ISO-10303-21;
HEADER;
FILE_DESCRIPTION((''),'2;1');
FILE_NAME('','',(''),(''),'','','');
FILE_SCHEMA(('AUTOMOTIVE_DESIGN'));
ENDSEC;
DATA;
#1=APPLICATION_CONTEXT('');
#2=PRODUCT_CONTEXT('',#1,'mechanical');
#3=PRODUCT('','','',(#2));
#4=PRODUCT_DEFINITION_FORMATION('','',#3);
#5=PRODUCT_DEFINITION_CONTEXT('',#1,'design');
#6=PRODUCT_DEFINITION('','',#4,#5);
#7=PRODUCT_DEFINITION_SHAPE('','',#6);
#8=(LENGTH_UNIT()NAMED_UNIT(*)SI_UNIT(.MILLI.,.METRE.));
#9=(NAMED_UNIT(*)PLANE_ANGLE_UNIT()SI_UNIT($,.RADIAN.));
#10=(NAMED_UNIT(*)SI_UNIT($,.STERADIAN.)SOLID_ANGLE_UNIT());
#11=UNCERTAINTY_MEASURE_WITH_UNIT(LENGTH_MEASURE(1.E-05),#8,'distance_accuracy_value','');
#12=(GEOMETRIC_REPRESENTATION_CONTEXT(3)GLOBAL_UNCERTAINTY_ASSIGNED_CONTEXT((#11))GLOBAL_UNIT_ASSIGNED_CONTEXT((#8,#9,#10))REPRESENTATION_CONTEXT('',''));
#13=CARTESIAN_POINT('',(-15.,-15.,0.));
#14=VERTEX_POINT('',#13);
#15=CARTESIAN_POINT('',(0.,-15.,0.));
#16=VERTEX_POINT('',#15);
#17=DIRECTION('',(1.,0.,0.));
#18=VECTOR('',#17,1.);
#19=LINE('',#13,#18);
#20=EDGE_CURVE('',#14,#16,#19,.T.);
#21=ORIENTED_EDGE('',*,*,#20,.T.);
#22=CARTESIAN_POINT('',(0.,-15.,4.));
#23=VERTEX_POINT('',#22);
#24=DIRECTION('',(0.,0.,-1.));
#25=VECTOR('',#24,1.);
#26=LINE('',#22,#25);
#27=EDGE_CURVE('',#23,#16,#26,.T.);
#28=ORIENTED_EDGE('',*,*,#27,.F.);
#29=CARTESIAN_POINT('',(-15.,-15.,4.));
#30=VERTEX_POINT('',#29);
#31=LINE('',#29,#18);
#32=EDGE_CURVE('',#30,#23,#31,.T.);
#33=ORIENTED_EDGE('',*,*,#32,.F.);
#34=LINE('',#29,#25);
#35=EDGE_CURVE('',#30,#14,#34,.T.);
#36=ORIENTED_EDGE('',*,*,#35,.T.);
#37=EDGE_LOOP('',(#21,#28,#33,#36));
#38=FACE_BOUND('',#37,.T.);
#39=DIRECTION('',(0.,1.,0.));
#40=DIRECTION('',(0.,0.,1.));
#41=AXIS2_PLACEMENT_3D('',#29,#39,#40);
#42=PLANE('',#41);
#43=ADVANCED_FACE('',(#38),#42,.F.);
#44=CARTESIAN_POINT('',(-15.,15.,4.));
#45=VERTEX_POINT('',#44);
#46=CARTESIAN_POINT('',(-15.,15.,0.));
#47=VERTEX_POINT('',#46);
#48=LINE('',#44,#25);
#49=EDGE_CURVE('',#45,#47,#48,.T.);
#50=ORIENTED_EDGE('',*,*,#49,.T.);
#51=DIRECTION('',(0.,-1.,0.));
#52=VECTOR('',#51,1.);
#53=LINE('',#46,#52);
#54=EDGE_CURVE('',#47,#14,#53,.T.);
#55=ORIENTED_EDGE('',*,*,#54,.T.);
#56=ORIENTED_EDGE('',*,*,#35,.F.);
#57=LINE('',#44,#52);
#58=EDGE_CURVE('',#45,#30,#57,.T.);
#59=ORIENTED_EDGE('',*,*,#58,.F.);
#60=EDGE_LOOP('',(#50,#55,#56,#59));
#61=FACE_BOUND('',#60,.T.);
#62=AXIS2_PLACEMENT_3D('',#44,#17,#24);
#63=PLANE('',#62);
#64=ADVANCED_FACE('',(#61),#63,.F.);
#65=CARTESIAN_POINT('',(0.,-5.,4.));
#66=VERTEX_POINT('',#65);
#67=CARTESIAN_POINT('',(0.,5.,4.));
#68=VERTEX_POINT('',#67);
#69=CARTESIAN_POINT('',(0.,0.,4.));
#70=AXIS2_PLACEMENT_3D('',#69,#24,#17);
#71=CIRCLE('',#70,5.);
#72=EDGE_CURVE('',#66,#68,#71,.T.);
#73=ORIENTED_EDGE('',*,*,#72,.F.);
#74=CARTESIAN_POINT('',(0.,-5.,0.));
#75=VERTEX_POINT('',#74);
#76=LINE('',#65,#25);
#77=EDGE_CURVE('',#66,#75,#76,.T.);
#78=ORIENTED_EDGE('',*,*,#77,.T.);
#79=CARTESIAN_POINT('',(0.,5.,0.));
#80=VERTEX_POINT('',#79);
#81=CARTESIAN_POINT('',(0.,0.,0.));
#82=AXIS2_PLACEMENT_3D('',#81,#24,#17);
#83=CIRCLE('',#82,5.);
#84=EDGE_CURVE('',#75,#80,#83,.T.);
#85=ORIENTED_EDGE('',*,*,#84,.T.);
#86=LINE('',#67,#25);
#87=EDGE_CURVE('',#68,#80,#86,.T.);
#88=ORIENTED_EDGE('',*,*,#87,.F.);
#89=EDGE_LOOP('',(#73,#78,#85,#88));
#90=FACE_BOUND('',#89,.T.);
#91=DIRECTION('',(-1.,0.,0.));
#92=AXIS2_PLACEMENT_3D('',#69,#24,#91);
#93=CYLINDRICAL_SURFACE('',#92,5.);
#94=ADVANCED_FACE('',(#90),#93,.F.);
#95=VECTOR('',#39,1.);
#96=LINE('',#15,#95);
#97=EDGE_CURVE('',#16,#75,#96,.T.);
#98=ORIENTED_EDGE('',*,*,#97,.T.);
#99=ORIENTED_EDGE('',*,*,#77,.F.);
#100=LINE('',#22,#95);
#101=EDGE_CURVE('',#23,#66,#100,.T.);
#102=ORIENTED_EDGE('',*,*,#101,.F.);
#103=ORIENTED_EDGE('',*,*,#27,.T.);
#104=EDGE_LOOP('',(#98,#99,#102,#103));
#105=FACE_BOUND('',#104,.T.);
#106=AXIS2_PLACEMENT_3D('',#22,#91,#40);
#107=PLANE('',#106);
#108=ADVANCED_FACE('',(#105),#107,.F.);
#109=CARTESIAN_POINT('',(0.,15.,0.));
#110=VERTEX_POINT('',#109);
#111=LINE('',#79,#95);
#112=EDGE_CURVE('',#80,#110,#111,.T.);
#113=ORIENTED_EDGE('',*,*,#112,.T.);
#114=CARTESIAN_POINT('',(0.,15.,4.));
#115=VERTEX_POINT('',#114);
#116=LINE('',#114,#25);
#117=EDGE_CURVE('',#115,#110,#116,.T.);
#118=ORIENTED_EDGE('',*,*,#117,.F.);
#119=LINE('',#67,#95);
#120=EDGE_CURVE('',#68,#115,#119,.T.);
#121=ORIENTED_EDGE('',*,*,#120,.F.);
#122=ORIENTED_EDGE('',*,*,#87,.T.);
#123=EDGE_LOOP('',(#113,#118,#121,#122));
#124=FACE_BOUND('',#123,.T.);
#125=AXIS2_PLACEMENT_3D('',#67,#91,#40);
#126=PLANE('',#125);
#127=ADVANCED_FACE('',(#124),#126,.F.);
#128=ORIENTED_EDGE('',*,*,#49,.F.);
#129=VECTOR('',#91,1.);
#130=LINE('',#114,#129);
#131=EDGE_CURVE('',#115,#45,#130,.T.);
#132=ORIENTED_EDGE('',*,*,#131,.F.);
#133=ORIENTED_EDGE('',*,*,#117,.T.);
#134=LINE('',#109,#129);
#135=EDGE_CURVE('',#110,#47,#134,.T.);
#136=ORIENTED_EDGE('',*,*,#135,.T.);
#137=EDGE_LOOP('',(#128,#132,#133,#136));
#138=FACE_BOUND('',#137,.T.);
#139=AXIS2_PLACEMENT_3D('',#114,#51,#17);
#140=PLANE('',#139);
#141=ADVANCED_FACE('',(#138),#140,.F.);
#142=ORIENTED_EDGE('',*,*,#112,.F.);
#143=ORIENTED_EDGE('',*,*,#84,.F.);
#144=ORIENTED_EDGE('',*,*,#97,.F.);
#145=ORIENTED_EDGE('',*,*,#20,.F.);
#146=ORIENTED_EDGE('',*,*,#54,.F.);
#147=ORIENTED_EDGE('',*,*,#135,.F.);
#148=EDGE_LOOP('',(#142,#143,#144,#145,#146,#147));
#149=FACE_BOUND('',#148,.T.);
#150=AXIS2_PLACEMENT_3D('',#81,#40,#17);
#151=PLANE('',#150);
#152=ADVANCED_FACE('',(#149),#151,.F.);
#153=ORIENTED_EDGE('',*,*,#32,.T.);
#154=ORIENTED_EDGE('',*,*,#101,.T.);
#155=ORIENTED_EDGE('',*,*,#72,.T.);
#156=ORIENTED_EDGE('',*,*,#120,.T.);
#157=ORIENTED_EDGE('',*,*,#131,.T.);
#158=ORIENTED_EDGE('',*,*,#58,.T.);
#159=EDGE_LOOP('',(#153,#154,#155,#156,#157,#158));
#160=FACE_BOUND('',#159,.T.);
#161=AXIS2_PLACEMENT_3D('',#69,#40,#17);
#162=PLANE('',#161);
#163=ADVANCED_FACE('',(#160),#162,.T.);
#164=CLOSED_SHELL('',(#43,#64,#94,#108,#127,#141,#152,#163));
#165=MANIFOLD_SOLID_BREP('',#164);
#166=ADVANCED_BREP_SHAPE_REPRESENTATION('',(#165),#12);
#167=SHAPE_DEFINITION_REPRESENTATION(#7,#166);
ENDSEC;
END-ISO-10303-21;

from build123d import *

# Parameters (mm, degrees)
BOSS_EXTRUDE1_DEPTH = 4


with BuildPart() as part:
    # Sketch1 → Boss-Extrude1 (new body)
    with BuildSketch(Plane.XY):
        with BuildLine():
            Line((0, 5), (0, 15))
            Line((0, 15), (-15, 15))
            Line((-15, 15), (-15, -15))
            Line((-15, -15), (0, -15))
            Line((0, -15), (0, -5))
            ThreePointArc((0, -5), (-5, 0), (0, 5))
        make_face()
    extrude(amount=BOSS_EXTRUDE1_DEPTH)


solid = part.part
